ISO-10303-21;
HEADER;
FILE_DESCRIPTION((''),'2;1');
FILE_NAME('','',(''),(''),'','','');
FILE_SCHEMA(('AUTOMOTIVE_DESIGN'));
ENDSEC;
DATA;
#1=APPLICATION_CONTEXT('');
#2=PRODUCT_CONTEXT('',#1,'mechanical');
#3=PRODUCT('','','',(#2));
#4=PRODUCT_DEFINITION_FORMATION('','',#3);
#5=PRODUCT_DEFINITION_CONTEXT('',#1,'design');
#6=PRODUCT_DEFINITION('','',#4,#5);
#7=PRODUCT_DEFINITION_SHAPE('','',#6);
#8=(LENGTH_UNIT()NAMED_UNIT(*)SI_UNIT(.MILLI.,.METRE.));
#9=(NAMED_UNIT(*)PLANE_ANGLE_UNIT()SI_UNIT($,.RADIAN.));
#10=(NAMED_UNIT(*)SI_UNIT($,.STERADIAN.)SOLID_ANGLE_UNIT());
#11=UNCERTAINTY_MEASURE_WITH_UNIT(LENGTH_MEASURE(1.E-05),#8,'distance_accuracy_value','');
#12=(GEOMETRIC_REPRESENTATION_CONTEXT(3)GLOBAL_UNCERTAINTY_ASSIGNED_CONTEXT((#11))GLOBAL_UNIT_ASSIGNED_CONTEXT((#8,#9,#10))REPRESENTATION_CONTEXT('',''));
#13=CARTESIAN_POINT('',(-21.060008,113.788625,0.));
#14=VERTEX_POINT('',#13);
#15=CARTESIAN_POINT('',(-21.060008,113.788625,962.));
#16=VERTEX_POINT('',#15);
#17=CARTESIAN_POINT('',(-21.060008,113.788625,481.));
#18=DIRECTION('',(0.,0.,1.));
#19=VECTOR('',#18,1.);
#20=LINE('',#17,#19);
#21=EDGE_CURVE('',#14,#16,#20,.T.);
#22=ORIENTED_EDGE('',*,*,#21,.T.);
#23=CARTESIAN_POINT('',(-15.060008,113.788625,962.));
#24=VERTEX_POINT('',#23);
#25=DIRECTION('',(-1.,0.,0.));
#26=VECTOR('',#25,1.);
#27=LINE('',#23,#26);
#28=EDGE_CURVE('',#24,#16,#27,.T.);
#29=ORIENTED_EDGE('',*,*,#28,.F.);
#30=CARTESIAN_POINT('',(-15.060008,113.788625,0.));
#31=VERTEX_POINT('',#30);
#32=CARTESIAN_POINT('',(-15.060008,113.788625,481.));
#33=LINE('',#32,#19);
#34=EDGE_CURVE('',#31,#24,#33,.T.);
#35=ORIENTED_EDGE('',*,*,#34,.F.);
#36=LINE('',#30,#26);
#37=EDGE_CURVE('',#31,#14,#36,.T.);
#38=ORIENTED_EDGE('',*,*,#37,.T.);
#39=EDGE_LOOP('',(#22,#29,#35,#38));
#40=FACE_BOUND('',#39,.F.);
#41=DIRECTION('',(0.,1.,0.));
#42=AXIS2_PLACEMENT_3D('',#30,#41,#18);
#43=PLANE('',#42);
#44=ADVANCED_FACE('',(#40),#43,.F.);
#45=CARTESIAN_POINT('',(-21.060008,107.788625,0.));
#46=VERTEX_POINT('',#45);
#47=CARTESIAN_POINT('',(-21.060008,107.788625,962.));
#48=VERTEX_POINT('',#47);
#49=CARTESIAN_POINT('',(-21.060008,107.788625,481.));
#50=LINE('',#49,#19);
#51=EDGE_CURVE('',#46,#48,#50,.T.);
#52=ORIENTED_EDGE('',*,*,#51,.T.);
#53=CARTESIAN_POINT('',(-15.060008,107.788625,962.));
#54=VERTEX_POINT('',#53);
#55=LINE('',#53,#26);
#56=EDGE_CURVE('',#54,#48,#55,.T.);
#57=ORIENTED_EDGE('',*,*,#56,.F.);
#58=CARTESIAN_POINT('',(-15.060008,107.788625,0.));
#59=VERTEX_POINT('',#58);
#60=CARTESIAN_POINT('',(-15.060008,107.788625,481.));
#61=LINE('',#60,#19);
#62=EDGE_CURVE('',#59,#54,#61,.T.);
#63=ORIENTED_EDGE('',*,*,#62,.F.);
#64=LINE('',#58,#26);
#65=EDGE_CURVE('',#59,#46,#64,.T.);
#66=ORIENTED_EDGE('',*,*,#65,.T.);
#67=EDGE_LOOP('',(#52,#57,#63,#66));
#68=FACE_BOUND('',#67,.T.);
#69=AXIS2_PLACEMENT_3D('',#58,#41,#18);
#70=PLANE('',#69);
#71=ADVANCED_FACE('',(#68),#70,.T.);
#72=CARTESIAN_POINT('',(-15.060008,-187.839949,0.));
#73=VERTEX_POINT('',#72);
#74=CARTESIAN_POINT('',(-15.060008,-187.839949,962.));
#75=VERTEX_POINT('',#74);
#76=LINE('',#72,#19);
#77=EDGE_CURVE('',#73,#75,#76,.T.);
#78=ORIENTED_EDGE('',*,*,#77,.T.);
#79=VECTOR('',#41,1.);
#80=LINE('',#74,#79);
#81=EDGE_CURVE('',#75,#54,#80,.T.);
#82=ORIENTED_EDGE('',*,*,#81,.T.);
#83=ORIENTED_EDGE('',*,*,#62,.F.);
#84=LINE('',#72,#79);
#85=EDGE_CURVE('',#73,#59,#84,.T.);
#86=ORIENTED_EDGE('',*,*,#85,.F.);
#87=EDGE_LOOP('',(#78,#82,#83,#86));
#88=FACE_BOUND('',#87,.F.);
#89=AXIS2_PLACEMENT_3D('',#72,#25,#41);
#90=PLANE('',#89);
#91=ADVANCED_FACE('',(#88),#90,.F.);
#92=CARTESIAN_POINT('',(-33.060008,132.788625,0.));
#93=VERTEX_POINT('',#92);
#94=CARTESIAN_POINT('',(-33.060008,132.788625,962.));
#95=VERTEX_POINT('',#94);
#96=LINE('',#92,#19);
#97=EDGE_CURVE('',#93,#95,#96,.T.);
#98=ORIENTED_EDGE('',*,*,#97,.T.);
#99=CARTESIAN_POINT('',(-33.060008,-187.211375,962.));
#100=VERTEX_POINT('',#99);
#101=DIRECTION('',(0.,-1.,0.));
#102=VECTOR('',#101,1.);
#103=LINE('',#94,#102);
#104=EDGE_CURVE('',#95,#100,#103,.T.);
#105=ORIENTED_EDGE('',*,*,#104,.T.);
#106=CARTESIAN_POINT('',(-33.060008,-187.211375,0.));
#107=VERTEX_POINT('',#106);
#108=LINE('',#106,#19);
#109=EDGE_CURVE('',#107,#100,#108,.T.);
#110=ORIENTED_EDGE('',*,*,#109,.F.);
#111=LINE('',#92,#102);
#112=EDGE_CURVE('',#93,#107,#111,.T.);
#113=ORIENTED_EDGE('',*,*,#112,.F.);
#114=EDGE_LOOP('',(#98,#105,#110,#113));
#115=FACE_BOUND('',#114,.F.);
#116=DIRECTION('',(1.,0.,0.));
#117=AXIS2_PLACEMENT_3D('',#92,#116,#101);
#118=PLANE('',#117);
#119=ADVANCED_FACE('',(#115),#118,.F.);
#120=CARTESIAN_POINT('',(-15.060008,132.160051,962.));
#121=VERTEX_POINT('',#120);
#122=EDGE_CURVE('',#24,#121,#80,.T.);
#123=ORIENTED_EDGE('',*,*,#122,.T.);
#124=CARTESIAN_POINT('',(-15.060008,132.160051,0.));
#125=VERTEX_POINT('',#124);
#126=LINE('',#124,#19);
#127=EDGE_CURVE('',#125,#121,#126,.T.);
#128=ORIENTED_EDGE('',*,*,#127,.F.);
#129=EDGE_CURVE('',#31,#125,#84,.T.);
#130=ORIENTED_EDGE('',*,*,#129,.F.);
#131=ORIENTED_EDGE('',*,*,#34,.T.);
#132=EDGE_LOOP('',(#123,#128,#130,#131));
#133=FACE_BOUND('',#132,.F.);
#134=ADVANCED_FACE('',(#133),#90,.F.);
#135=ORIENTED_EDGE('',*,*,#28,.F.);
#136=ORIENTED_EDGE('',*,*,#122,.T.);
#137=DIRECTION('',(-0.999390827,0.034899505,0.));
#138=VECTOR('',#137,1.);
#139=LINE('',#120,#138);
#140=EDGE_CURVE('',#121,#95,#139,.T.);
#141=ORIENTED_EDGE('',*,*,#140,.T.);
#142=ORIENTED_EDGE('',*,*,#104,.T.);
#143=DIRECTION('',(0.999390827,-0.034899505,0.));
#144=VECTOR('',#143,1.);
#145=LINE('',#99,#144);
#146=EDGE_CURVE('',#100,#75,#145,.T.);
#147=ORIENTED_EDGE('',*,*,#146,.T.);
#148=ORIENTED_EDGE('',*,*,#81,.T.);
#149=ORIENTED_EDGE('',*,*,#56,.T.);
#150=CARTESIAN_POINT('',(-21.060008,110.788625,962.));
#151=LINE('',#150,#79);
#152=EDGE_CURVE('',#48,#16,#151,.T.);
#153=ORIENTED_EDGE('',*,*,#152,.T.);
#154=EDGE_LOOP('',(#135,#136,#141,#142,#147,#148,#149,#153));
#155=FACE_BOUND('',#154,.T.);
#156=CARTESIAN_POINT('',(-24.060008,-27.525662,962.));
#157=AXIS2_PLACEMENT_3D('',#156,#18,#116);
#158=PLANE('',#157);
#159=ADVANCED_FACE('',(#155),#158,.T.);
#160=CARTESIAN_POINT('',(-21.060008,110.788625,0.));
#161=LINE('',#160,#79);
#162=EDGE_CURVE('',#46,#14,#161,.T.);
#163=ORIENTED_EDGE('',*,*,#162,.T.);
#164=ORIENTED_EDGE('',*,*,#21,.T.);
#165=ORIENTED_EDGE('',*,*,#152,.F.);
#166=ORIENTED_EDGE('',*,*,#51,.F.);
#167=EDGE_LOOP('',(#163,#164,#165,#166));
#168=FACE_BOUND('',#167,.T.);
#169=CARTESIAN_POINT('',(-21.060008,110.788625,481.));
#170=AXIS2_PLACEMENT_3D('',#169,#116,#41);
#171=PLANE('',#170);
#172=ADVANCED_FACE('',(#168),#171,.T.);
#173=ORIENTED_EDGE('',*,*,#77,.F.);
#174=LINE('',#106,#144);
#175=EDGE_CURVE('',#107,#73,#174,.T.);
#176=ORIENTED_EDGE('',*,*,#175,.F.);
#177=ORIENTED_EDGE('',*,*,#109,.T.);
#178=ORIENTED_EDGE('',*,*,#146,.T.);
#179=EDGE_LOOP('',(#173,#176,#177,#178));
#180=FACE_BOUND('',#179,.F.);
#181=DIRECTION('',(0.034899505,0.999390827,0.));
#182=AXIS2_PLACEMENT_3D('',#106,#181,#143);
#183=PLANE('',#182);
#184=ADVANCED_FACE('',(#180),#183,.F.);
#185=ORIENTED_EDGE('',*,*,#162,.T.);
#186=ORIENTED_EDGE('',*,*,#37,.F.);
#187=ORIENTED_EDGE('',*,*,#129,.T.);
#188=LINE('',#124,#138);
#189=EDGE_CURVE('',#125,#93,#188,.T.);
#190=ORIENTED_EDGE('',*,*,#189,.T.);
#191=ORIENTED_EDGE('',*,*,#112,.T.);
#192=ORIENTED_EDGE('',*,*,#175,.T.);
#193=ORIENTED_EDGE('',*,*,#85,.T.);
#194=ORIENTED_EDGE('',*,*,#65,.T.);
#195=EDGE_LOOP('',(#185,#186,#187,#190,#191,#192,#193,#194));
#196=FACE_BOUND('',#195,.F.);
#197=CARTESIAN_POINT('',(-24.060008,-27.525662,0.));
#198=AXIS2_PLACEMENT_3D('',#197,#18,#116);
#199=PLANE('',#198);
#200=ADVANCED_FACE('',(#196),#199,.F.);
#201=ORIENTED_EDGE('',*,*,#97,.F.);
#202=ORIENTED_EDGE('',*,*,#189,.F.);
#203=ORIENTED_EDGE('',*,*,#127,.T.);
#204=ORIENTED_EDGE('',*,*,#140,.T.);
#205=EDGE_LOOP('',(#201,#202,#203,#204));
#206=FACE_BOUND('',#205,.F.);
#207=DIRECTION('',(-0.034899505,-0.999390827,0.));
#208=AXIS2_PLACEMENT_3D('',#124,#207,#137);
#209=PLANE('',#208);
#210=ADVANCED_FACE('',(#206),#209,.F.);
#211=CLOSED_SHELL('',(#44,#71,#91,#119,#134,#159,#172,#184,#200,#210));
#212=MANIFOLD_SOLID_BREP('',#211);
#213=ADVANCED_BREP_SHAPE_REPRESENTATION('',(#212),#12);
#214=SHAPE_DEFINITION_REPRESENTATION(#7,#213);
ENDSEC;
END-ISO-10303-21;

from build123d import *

# Parameters (mm, degrees)
F1_DEPTH = 962
F2_W     = 6
F2_H     = 962
F3_DEPTH = 6


with BuildPart() as f1:
    # F0 (on Top) → F1 (new body)
    with BuildSketch(Plane.XY):
        Polygon((-15.060008, -187.839949), (-15.060008, 132.160051), (-33.060008, 132.788625), (-33.060008, -187.211375), align=None)
    extrude(amount=F1_DEPTH)

    # F2 (on face) → F3 (cut)
    with BuildSketch(Plane.YZ.offset(-15.060008)):
        with Locations((110.788625, 481)):
            Rectangle(F2_W, F2_H)
    extrude(amount=-F3_DEPTH, mode=Mode.SUBTRACT)


solid = f1.part
